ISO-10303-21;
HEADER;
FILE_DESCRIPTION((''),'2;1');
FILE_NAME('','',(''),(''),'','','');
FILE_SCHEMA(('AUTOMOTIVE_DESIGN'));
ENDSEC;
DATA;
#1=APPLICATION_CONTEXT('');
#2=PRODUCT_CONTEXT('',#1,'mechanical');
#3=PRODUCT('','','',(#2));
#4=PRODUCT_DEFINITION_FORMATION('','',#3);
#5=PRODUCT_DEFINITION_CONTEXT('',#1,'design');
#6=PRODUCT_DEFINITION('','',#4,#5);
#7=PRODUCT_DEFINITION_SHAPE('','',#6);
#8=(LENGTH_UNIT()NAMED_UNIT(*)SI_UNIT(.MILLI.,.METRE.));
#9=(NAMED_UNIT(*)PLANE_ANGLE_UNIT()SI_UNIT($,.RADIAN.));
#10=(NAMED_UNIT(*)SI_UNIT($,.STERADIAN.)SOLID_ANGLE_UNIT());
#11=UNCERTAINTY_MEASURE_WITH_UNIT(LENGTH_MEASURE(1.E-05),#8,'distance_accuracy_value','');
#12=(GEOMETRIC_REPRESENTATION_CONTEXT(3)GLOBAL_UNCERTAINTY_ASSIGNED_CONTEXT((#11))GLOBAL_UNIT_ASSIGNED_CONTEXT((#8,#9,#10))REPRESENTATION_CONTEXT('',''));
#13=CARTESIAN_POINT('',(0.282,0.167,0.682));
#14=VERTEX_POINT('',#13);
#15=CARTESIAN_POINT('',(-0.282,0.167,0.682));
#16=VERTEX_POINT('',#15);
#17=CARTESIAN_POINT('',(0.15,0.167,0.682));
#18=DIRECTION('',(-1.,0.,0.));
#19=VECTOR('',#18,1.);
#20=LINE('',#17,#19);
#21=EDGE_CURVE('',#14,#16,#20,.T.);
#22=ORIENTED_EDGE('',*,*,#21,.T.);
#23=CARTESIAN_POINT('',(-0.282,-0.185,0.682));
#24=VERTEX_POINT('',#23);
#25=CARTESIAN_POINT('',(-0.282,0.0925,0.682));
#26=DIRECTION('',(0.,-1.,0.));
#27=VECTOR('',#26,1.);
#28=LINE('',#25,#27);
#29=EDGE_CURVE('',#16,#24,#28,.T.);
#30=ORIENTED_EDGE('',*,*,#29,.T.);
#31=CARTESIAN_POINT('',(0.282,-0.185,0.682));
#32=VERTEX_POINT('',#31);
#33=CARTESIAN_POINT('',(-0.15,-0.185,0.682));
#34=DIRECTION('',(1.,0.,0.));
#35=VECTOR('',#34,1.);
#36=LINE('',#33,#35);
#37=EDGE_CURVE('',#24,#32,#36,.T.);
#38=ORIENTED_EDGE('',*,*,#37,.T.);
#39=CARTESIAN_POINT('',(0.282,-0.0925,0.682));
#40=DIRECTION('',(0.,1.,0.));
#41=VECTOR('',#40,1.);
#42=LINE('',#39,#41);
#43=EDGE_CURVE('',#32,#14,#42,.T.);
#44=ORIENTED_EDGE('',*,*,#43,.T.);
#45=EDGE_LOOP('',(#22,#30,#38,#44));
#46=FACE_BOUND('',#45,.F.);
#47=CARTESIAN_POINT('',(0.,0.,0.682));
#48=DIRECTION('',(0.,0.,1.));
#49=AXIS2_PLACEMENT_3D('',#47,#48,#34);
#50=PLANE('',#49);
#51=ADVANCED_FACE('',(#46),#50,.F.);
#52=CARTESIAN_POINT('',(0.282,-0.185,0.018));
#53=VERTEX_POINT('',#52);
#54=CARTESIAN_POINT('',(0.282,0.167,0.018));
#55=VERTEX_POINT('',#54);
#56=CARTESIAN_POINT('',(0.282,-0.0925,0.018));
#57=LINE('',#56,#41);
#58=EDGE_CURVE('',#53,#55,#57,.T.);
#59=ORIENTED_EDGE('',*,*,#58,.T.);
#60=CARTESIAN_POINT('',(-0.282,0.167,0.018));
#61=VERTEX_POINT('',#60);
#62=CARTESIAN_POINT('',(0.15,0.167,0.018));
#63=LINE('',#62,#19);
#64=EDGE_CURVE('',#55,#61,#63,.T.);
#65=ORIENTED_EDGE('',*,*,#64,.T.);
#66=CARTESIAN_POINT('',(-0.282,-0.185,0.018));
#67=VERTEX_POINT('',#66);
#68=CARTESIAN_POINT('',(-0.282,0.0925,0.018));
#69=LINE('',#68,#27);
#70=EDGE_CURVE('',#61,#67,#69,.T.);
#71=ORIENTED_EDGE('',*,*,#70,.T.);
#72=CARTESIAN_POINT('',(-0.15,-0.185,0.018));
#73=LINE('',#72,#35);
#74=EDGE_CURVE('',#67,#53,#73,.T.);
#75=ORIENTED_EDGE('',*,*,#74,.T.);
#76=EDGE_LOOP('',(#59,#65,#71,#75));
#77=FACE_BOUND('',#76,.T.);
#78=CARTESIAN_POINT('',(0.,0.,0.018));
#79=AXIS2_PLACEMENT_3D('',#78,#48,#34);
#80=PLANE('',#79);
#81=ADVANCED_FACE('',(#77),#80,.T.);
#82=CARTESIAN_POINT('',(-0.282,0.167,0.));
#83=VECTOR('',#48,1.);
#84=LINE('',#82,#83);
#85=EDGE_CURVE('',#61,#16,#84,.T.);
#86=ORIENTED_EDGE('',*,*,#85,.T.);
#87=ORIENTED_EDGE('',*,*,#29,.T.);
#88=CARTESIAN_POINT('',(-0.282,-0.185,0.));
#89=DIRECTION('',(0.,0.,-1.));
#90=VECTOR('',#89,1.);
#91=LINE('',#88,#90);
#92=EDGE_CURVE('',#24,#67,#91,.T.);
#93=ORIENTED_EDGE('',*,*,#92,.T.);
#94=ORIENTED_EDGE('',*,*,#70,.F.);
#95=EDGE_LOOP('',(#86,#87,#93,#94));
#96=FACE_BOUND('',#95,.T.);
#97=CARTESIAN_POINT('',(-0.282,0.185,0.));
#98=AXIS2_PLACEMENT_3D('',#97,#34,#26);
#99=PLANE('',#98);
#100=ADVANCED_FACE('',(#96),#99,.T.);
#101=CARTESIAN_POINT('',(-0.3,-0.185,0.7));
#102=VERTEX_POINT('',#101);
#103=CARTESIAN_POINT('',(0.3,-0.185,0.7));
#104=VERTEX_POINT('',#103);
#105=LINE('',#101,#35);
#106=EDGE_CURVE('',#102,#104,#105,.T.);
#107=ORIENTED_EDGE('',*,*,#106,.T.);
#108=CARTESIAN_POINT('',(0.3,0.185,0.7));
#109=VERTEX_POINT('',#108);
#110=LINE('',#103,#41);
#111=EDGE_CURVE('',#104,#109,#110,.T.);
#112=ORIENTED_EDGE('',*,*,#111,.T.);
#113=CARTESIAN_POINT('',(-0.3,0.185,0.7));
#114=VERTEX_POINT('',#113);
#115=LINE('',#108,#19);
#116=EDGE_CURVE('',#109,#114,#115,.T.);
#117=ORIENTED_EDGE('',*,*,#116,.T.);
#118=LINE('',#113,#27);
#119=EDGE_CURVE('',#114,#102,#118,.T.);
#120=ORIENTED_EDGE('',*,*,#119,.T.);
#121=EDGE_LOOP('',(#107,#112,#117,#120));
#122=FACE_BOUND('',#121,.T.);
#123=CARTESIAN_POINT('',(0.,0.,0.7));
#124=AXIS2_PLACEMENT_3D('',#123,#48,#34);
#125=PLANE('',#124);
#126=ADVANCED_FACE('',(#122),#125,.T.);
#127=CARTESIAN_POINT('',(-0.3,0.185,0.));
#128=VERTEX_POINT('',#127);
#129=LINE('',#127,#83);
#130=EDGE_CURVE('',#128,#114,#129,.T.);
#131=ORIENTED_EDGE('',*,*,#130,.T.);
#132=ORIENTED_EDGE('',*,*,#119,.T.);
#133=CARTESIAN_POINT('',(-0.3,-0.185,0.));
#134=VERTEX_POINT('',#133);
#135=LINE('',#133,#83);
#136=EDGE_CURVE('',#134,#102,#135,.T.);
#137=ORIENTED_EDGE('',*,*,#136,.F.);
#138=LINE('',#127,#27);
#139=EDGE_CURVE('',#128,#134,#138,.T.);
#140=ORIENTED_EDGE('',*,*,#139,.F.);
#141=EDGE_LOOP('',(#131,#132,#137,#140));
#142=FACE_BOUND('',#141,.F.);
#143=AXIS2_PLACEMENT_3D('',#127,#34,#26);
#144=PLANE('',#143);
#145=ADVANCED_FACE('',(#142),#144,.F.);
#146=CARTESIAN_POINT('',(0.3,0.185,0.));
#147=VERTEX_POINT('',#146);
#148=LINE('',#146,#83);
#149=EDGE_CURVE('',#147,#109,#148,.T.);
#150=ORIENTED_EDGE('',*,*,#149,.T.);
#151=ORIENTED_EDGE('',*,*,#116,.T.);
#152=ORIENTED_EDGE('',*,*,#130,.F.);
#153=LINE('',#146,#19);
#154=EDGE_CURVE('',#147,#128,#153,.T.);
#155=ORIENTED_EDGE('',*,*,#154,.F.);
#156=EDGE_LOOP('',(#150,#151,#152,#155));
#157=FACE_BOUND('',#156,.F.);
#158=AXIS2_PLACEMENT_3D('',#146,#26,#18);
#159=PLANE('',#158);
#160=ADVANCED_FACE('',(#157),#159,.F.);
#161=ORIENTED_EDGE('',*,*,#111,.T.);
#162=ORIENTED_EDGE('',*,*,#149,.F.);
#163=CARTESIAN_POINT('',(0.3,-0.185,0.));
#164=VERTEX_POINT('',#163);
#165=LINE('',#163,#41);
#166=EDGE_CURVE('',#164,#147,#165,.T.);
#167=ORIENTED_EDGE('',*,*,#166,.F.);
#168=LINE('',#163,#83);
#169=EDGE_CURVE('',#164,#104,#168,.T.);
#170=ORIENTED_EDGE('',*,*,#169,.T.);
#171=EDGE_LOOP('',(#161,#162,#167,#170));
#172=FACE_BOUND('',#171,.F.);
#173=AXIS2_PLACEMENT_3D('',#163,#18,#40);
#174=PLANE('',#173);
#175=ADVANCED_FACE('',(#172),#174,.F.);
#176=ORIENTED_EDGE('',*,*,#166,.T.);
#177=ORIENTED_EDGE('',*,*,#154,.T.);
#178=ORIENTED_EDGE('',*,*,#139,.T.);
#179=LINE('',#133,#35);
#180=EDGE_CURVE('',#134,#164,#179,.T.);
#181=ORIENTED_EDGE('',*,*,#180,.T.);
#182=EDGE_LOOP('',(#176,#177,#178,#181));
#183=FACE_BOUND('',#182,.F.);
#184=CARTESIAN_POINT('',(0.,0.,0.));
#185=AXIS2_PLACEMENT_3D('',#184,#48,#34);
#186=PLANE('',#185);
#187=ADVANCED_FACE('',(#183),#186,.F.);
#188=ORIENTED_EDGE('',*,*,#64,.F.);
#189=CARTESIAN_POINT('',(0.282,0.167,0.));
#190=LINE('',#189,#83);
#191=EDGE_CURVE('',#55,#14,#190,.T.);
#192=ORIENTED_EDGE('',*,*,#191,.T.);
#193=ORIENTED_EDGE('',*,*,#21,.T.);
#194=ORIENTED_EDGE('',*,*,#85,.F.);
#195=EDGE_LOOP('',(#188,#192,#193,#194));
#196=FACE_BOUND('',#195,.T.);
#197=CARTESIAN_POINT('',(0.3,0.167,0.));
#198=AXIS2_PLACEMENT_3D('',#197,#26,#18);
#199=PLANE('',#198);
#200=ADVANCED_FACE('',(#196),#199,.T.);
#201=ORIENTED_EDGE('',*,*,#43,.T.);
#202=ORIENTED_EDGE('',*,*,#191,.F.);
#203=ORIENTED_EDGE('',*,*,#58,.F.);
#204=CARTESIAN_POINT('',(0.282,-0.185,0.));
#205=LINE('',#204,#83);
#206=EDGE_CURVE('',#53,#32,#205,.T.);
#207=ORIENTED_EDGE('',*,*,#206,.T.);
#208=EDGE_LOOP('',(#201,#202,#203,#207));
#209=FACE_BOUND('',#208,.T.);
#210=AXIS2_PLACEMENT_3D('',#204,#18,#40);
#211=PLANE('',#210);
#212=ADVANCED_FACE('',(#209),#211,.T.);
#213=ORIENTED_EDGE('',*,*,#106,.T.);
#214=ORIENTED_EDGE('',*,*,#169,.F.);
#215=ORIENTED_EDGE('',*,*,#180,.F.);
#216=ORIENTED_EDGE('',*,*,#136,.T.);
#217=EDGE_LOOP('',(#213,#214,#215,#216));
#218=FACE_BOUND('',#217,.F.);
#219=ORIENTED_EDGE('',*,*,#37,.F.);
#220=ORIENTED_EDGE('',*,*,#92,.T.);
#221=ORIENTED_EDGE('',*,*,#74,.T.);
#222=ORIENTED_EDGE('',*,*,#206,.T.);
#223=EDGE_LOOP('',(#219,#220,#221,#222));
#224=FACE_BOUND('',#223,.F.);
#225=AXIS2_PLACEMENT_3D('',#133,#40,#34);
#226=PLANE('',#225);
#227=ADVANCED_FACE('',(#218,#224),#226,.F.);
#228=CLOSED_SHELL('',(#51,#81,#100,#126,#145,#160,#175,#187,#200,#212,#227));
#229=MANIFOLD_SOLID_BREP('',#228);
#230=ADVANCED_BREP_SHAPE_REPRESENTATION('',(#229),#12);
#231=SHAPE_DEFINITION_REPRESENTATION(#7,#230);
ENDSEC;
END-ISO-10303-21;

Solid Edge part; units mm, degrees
sketch "Sketch1" plane through (0, 0, 0) normal (0, 0, 1) x (1, 0, 0)
  line L0 (-0.3, -0.185) -> (0.3, -0.185)
  line L1 (0.3, -0.185) -> (0.3, 0.185)
  line L2 (0.3, 0.185) -> (-0.3, 0.185)
  line L3 (-0.3, 0.185) -> (-0.3, -0.185)
  dimension "D1" = 0.6
  dimension "D2" = 0.37
extrude "Protrusion1" add sketch "Sketch1" along normal blind 0.7
shell "Dünnwand_1" thickness 0.018 removed faces 1 at (-0.206, -0.185, 0.5763)
